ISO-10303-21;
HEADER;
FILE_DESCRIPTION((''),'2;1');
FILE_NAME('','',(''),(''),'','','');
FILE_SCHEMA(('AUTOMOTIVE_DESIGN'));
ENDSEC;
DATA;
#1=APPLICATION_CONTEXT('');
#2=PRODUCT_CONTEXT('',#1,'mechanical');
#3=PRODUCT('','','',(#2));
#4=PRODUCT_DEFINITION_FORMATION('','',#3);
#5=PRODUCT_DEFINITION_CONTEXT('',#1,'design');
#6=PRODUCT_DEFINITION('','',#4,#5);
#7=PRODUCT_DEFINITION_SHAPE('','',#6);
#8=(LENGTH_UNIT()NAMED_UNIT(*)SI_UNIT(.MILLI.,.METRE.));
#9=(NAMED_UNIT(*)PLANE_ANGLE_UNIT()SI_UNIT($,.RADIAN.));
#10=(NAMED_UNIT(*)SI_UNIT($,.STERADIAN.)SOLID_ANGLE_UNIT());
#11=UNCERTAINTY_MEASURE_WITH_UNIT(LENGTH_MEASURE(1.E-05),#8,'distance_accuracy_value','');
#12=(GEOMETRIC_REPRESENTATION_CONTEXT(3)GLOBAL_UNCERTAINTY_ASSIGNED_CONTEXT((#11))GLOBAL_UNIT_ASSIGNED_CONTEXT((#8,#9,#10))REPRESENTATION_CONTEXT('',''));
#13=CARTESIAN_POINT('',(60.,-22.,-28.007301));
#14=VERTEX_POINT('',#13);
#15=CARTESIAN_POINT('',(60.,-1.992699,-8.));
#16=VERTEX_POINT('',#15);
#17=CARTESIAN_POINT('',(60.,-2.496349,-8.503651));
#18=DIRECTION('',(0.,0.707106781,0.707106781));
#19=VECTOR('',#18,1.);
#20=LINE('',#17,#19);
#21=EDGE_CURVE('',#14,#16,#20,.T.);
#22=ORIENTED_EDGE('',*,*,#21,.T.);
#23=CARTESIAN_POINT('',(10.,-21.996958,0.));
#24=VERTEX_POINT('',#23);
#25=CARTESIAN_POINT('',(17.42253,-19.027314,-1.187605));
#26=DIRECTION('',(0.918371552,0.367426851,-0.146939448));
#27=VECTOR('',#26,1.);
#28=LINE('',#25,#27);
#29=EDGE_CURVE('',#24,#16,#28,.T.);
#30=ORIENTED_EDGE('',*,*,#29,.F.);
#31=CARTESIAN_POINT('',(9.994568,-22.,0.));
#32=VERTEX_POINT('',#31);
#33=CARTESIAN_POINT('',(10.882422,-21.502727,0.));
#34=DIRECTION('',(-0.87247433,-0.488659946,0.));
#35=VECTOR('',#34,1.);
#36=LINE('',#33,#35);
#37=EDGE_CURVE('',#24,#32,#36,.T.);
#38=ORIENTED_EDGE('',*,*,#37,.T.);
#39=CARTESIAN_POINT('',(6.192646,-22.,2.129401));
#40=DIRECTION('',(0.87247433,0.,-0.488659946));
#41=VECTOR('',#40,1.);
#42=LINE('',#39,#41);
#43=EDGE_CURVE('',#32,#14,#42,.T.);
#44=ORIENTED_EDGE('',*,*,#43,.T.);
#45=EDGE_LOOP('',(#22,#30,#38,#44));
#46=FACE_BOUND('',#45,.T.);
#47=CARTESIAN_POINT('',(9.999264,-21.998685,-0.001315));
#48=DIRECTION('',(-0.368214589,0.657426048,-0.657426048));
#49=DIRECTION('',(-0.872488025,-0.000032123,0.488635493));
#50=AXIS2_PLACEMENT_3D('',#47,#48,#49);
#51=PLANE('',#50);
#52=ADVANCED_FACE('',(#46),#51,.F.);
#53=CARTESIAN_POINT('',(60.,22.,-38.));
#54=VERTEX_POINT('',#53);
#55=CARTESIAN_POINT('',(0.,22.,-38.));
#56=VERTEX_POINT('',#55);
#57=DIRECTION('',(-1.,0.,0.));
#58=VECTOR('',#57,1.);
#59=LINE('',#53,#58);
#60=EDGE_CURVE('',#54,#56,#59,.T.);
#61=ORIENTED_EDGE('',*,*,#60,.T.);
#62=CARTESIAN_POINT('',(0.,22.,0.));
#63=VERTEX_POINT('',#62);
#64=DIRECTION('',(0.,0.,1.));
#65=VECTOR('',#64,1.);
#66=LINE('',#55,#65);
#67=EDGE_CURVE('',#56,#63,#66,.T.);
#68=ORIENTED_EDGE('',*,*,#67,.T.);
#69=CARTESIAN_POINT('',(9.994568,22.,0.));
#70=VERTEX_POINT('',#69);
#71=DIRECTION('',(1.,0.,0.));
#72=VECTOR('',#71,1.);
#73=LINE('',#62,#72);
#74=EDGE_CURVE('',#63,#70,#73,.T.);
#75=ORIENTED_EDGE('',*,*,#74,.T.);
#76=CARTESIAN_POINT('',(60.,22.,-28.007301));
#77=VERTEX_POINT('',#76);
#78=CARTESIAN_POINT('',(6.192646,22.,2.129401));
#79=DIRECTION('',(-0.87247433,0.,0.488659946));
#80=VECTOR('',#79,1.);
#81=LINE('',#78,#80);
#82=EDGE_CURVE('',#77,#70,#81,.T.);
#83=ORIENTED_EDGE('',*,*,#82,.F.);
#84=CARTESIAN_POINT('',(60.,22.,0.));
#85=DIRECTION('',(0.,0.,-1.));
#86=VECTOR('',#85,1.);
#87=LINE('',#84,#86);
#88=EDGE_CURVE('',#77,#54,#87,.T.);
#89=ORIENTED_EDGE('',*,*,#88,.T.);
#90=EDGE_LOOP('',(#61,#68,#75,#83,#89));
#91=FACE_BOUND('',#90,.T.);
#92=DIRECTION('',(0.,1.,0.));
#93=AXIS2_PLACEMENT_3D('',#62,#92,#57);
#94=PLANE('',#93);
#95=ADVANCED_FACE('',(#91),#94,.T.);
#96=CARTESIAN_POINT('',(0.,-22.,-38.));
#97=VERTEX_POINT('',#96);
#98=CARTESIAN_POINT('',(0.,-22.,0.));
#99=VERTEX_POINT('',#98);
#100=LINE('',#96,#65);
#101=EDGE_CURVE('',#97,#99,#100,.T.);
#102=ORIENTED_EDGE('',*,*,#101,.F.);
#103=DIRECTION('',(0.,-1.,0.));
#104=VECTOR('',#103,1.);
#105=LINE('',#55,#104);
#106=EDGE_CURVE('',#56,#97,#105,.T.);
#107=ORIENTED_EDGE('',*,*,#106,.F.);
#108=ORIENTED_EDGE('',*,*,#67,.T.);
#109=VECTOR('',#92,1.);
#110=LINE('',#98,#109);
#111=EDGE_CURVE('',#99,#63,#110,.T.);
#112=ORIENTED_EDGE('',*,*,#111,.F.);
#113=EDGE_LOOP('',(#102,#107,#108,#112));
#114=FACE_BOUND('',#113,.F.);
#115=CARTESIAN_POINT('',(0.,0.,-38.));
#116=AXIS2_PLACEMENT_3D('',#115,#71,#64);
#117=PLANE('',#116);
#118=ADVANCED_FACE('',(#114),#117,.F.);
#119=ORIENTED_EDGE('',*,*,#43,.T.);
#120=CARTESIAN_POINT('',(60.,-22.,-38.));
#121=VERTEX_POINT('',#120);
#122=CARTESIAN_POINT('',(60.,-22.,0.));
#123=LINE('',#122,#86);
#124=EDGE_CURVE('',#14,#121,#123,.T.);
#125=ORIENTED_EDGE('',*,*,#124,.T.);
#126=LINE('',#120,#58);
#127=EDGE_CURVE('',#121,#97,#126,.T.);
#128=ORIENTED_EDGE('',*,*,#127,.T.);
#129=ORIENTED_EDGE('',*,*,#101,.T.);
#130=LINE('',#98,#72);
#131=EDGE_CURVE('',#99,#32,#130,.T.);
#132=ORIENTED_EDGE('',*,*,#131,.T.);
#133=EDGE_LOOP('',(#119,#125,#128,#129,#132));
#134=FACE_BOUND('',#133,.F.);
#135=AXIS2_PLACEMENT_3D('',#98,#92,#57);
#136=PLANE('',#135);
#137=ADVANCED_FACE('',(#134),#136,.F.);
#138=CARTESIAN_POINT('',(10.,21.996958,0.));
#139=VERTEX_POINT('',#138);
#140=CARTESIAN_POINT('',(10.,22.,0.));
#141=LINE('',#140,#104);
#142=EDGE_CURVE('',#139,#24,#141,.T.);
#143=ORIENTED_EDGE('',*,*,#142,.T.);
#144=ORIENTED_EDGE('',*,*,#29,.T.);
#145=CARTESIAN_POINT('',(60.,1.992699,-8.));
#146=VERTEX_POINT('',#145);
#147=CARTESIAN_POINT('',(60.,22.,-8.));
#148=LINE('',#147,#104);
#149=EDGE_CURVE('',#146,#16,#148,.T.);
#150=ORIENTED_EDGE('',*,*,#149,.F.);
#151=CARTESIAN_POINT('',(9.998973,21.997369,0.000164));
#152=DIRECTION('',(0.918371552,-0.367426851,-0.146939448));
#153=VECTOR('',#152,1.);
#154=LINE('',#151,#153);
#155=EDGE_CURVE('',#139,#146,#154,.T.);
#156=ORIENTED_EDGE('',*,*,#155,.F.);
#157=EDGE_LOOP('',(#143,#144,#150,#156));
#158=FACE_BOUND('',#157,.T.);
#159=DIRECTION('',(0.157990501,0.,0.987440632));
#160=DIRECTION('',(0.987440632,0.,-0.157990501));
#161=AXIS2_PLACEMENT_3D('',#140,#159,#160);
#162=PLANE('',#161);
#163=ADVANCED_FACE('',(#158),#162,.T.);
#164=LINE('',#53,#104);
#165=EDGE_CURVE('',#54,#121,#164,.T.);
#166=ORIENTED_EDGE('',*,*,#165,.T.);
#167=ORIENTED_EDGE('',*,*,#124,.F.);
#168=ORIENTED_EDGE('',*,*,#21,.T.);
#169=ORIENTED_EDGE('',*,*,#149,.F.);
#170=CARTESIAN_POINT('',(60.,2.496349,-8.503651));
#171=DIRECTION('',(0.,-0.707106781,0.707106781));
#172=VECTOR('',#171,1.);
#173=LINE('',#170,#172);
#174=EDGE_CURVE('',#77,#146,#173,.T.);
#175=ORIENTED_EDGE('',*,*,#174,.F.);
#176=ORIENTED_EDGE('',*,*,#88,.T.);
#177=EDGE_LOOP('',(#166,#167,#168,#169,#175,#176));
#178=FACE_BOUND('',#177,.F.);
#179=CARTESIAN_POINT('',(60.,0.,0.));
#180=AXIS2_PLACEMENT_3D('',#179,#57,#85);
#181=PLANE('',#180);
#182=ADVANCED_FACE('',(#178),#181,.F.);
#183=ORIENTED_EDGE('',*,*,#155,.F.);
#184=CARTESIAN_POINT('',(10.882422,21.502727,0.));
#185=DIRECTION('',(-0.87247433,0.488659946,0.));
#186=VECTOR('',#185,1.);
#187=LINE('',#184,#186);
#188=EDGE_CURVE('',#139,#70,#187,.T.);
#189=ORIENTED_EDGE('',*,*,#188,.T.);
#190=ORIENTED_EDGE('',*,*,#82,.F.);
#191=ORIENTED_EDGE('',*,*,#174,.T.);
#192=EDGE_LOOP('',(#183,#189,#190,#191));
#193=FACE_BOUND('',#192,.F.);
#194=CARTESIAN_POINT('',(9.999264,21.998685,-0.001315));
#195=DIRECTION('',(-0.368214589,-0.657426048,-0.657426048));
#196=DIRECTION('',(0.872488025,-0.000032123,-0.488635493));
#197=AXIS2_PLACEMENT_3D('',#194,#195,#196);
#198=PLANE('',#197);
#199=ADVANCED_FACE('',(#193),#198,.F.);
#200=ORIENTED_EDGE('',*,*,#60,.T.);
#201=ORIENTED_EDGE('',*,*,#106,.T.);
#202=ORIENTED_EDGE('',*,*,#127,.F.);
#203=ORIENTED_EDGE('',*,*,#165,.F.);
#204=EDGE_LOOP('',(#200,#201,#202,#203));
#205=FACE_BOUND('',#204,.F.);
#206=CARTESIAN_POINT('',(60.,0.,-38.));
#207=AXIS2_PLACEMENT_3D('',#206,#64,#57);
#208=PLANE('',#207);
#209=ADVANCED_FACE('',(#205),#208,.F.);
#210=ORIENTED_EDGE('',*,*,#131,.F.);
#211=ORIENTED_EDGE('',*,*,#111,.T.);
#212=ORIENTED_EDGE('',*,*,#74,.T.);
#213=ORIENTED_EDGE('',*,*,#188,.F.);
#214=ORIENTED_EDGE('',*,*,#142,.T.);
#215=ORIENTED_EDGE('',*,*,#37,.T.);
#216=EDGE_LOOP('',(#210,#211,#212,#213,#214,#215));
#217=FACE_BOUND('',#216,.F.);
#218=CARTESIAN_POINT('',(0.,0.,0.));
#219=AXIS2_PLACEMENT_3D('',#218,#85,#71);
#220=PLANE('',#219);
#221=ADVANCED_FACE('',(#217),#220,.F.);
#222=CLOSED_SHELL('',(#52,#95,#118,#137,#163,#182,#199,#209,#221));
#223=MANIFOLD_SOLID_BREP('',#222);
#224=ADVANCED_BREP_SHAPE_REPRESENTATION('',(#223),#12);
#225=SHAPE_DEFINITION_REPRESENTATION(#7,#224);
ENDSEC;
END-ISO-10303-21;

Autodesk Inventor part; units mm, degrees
ref_plane "YZ Plane" through (0, 0, 0) normal (1, 0, 0) x (0, 1, 0)
ref_plane "XZ Plane" through (0, 0, 0) normal (0, 1, 0) x (-1, 0, 0)
sketch "草圖1" plane through (0, 0, 0) normal (0, 1, 0) x (-1, 0, 0)
  line L0 (0, 0) -> (-60, 0)
  line L1 (-60, 0) -> (-60, -38)
  line L2 (-60, -38) -> (0, -38)
  line L3 (0, -38) -> (0, 0)
  dimension "d0" = 60
  dimension "d1" = 38
extrude "擠出1" add sketch "草圖1" along normal mid plane 44
sketch "草圖2" plane through (0, 22, 0) normal (0, 1, 0) x (1, 0, 0)
  line L0 (0, 0) -> (60, 0) projected
  line L1 (10, 0) -> (60, 8)
  line L2 (60, 0) -> (60, 38) projected
  dimension "d4" = 10
  dimension "d5" = 30
extrude "擠出2" cut sketch "草圖2" against normal blind 60
sketch "草圖3" plane through (60, -22, -38) normal (1, 0, 0) x (0, 0, -1)
  line L0 (-30, 24) -> (-10, 44)
  line L1 (0, 44) -> (-38, 44) projected
  line L2 (-30, 44) -> (-30, 0) projected
  point P0 (-38, 22)
  point P1 (-30, 2)
  dimension "d8" = 20
  dimension "d9" = 20
ref_plane "工作平面1" through (10, 22, 0) normal (-0.3682, -0.6574, -0.6574) x (0.8725, 0, -0.4886)
sketch "草圖4" plane through (10, 22, 0) normal (-0.3682, -0.6574, -0.6574) x (0.8725, 0, -0.4886)
  line L0 (-15.1543, -12.3218) -> (93.717, -12.3218)
  line L1 (93.717, -12.3218) -> (93.717, 28.8166)
  line L2 (93.717, 28.8166) -> (-15.1543, 28.8166)
  line L3 (-15.1543, 28.8166) -> (-15.1543, -12.3218)
  point P0 (-8.7251, 13.3649)
extrude "擠出3" cut sketch "草圖4" against normal blind 40
mirror "鏡射1" about plane through (0, 0, 0) normal (0, 1, 0) of "擠出3"
properties part number "53"
